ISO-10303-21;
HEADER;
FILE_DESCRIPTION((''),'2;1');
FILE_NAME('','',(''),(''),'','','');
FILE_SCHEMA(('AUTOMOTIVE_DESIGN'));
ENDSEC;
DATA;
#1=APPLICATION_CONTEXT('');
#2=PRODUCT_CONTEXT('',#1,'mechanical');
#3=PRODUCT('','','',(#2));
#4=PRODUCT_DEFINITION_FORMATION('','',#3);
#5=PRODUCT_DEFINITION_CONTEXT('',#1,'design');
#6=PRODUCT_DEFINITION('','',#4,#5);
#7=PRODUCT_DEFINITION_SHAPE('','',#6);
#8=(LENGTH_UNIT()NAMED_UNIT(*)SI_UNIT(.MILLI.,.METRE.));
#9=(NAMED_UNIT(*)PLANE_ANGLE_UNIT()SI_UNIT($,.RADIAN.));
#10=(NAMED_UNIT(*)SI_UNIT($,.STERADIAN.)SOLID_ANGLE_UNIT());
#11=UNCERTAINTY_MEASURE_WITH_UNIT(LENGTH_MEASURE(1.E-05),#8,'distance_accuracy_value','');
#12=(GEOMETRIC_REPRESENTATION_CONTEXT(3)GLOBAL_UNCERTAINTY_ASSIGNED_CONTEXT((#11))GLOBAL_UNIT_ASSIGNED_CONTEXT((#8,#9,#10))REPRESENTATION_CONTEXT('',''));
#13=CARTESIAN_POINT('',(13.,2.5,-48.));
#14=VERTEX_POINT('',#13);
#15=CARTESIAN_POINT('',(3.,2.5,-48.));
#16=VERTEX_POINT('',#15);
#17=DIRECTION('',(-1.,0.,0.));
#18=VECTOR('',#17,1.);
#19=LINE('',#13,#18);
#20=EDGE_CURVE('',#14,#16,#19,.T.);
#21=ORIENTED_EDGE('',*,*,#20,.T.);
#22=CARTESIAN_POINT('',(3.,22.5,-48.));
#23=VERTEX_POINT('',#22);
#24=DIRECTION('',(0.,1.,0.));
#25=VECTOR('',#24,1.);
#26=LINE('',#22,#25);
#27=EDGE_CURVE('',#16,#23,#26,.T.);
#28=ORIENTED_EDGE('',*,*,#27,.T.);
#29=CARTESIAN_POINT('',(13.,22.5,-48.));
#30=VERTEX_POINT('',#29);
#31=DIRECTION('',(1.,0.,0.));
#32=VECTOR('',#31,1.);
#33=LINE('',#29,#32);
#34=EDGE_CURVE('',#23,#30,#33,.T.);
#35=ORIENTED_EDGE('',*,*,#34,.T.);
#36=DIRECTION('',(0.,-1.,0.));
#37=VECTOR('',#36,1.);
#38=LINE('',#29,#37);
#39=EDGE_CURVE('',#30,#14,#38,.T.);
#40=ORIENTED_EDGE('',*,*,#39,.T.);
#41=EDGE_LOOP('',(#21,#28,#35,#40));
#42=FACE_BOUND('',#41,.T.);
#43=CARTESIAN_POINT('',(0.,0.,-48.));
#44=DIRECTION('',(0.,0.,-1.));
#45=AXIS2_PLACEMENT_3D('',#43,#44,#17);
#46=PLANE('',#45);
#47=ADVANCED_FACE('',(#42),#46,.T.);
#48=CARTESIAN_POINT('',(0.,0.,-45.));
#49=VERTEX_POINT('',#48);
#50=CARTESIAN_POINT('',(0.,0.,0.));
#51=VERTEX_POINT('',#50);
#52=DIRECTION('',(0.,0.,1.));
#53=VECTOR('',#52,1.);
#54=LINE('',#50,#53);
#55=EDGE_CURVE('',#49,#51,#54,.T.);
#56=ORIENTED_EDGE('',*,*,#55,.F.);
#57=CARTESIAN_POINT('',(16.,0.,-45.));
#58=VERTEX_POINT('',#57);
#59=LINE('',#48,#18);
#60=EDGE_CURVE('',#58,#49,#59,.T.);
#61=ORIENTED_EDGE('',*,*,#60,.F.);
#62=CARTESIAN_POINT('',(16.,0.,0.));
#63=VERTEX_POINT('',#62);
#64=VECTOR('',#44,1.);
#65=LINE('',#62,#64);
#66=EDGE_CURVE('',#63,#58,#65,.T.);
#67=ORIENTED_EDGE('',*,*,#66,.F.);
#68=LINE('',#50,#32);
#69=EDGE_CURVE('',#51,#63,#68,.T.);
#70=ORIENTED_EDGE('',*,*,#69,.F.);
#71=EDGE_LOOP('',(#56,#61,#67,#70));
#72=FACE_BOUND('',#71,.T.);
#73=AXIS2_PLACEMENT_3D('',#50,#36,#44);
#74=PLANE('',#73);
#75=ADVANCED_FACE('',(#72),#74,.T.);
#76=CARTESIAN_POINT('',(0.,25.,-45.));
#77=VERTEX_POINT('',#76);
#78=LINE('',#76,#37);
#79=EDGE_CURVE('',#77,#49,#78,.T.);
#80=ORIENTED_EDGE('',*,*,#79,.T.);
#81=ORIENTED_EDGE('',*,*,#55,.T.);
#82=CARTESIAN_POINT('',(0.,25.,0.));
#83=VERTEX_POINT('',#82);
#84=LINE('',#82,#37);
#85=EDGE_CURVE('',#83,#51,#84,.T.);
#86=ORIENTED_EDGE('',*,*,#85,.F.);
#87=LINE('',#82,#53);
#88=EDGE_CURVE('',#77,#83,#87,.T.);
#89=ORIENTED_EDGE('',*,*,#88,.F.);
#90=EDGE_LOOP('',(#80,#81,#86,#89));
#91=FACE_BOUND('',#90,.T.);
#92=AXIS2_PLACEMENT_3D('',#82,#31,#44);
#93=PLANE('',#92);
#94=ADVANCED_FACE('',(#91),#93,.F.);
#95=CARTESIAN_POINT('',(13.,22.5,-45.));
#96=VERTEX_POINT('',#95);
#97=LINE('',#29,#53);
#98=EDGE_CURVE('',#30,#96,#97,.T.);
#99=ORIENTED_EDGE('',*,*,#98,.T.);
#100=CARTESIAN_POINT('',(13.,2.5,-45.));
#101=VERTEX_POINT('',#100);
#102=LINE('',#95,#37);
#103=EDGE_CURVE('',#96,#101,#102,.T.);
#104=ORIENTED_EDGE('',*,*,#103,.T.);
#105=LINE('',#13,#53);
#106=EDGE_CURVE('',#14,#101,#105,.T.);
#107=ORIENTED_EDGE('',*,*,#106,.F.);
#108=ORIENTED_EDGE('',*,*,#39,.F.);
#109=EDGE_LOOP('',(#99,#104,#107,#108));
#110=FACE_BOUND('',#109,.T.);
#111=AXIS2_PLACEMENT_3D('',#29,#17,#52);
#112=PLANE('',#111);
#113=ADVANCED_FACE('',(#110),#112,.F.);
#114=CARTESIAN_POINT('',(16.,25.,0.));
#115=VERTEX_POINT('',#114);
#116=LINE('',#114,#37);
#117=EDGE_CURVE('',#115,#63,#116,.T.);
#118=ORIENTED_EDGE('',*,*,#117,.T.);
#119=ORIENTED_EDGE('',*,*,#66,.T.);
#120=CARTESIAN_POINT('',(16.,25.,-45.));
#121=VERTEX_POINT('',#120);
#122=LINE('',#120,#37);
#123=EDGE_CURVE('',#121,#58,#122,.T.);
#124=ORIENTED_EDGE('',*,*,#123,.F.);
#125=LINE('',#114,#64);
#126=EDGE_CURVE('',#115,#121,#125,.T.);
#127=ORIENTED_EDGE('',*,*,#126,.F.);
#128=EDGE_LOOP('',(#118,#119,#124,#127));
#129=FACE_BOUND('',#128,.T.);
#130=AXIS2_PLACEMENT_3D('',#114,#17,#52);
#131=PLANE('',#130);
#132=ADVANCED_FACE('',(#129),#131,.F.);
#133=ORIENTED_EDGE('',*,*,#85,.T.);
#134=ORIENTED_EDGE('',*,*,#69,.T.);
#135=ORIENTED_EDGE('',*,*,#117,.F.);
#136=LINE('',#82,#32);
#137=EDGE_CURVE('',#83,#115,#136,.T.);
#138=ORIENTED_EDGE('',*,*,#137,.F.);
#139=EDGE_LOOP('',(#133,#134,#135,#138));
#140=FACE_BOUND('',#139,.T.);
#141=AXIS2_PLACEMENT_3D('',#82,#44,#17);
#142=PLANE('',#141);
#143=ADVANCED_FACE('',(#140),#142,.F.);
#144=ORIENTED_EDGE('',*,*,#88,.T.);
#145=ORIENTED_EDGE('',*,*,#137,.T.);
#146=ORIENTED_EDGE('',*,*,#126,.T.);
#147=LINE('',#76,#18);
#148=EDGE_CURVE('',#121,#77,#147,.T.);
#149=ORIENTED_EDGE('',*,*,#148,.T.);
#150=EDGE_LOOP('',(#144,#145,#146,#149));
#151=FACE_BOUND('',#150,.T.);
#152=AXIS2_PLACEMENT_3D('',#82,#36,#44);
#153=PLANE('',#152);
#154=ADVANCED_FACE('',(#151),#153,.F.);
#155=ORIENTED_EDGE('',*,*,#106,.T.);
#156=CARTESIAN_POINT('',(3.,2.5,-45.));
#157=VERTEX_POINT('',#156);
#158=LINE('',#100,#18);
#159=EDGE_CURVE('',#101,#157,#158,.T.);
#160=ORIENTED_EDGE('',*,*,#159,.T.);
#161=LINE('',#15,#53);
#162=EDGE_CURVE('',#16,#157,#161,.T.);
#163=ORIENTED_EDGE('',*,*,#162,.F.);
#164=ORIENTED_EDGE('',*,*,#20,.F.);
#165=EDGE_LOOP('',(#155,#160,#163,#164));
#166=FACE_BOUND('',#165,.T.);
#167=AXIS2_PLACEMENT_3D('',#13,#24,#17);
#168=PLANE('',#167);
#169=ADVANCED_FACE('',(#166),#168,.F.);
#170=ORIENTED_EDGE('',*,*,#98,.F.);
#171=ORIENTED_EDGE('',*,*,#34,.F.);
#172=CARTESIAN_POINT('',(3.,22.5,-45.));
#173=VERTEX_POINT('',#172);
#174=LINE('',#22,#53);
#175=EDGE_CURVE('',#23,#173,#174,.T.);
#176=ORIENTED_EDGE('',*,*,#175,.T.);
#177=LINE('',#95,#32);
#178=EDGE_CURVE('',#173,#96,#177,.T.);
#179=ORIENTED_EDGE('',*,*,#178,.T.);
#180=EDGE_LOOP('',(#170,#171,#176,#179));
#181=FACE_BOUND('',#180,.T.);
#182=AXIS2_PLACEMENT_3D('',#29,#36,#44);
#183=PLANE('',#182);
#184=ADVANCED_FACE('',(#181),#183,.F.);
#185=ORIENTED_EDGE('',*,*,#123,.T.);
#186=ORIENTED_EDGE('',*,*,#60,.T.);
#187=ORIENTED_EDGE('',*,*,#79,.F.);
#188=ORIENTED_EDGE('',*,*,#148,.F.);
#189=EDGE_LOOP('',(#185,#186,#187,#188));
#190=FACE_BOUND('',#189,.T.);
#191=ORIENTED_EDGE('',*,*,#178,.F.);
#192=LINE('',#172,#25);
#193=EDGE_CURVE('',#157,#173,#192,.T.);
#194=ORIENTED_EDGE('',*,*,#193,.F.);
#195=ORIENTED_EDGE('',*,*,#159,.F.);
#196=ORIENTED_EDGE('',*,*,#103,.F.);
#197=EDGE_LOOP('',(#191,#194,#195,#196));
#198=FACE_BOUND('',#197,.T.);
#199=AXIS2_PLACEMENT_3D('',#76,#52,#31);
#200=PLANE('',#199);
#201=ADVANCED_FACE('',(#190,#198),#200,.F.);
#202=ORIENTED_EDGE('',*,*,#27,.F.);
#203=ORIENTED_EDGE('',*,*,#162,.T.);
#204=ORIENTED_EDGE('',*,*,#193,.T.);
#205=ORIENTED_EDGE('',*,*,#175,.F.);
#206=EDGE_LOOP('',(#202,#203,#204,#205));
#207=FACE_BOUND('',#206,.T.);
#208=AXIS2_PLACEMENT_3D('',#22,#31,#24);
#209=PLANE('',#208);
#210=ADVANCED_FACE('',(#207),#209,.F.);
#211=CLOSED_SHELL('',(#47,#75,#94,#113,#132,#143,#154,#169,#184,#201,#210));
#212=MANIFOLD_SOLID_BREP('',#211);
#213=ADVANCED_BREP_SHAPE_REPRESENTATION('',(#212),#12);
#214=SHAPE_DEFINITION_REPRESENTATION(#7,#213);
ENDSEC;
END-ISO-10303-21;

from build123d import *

# Parameters (mm, degrees)
SKETCH1_W           = 16
SKETCH1_H           = 45
BOSS_EXTRUDE1_DEPTH = 25
SKETCH2_W           = 10
SKETCH2_H           = 20
BOSS_EXTRUDE2_DEPTH = 3


with BuildPart() as part:
    # Sketch1 → Boss-Extrude1 (new body)
    with BuildSketch(Plane(origin=(0, 0, 0), x_dir=(1, 0, 0), z_dir=(0, 1, 0))):
        with Locations((8, 22.5)):
            Rectangle(SKETCH1_W, SKETCH1_H)
    extrude(amount=BOSS_EXTRUDE1_DEPTH)

    # Sketch2 → Boss-Extrude2 (add)
    with BuildSketch(Plane(origin=(0, 0, -45), x_dir=(-1, 0, 0), z_dir=(0, 0, -1))):
        with Locations((-8, 12.5)):
            Rectangle(SKETCH2_W, SKETCH2_H)
    extrude(amount=BOSS_EXTRUDE2_DEPTH)


solid = part.part
